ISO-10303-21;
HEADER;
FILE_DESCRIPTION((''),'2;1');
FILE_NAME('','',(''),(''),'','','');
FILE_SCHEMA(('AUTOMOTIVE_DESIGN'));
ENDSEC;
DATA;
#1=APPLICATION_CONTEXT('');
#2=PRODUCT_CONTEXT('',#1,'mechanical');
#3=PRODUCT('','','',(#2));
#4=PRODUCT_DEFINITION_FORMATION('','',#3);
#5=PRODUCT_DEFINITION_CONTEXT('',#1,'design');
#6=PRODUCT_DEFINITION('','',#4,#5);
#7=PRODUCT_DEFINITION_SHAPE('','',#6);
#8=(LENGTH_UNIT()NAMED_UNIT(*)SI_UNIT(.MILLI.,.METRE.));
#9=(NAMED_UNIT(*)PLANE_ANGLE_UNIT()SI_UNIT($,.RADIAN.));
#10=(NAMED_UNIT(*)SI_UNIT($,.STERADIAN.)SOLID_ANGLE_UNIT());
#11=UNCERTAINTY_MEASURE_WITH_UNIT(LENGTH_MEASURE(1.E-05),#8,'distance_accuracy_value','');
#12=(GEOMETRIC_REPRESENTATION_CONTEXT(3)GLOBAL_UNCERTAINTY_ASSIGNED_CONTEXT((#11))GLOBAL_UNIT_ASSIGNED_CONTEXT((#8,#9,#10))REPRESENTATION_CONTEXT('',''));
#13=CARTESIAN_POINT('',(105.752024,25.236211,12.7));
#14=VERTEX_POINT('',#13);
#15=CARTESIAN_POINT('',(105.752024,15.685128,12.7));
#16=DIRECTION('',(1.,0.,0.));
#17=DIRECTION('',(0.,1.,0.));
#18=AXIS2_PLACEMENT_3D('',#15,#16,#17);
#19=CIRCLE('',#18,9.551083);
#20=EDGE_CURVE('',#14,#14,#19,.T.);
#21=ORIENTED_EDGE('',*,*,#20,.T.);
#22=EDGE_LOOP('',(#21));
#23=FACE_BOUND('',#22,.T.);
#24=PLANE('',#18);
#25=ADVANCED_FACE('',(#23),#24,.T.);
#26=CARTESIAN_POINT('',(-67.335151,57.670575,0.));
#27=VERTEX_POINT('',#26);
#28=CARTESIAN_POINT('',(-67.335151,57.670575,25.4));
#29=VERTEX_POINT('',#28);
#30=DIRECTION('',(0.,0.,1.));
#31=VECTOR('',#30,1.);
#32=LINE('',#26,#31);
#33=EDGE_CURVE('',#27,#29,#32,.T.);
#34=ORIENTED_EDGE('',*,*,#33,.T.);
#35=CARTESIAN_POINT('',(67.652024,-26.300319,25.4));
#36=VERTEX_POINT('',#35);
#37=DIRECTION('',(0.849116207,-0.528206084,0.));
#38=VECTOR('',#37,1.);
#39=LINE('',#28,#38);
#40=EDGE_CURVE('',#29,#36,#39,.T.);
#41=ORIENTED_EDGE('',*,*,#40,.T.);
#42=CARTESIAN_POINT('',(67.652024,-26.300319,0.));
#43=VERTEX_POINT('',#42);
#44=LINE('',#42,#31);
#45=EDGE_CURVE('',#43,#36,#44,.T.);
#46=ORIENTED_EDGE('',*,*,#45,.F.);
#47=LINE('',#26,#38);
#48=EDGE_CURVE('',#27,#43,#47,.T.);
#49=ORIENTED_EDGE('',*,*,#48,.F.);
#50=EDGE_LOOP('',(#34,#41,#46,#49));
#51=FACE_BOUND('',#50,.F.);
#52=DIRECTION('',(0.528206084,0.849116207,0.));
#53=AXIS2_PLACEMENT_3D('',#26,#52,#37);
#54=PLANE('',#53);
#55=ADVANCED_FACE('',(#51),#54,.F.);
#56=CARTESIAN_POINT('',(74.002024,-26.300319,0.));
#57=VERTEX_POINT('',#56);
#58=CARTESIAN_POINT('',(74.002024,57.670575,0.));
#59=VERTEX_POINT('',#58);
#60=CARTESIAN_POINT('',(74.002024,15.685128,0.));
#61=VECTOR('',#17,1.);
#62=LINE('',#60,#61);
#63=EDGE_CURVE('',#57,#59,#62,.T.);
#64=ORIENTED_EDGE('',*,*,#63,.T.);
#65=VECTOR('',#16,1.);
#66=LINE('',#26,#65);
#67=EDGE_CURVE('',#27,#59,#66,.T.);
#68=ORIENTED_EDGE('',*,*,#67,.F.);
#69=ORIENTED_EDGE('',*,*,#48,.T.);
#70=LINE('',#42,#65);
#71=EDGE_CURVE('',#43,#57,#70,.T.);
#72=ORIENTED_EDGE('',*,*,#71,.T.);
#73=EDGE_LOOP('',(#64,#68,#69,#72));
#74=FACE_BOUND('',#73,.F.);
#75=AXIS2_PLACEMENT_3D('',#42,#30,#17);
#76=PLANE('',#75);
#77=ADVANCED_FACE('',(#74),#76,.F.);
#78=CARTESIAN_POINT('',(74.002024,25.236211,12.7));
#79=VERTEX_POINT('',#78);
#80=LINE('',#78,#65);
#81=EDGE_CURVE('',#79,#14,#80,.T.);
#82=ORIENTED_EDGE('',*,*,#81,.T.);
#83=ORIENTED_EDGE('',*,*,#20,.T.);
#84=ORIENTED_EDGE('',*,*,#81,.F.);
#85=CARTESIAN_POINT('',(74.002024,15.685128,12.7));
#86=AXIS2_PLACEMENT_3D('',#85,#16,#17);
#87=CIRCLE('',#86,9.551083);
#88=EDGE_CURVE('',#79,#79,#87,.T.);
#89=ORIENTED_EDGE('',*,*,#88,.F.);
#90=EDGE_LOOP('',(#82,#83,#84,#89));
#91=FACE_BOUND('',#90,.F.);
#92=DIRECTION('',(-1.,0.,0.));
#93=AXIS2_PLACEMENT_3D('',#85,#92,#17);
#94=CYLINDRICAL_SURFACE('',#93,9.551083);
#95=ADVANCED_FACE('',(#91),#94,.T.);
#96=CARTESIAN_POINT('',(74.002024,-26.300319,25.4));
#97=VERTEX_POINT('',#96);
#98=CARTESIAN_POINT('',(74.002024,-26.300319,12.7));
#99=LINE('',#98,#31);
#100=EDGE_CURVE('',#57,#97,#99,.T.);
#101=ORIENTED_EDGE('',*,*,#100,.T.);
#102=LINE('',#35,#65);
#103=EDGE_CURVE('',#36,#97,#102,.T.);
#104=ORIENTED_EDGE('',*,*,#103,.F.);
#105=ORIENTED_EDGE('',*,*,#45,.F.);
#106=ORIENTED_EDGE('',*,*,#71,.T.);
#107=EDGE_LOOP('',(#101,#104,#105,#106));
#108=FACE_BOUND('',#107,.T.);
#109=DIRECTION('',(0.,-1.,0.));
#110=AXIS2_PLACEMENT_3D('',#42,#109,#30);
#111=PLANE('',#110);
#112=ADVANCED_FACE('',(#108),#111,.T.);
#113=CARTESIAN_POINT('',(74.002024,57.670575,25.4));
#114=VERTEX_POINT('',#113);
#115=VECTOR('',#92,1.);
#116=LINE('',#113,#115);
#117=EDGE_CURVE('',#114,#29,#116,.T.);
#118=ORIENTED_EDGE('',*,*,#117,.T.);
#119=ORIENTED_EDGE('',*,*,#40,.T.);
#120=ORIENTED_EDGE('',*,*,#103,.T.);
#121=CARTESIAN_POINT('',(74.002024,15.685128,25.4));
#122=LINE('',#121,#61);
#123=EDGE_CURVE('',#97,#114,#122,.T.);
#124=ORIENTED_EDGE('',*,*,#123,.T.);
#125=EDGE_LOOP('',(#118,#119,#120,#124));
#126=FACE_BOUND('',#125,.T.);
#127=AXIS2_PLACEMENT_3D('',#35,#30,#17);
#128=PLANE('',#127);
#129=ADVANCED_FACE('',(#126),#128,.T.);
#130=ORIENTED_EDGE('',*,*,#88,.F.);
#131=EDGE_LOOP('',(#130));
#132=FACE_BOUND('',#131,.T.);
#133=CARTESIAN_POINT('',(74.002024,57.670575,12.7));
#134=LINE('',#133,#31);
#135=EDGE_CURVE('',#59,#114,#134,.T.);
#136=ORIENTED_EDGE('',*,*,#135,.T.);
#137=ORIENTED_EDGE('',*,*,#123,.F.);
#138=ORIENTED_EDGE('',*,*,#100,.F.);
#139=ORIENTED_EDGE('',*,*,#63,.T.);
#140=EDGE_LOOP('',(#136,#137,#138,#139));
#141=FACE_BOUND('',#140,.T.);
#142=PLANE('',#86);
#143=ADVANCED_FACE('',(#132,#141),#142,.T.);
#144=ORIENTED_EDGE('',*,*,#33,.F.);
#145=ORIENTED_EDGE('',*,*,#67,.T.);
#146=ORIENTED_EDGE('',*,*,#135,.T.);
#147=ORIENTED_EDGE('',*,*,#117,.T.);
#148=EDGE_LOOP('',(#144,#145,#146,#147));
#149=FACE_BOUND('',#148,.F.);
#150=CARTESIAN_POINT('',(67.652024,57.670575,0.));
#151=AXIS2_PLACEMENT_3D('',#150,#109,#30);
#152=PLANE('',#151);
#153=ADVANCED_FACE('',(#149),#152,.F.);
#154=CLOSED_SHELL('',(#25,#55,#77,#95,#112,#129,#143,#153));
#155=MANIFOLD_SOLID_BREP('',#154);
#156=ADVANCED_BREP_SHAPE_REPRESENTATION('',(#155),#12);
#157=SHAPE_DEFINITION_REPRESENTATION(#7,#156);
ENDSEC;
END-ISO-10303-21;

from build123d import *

# Parameters (mm, degrees)
F1_DEPTH = 25.4
F2_W     = 83.970894
F2_H     = 25.4
F3_DEPTH = 6.35
F4_R     = 9.551083
F5_DEPTH = 31.75


with BuildPart() as f1:
    # F0 (on Top) → F1 (new body)
    with BuildSketch(Plane.XY):
        Polygon((67.652024, 57.670575), (-67.335151, 57.670575), (67.652024, -26.300319), align=None)
    extrude(amount=F1_DEPTH)

    # F2 (on face) → F3 (join)
    with BuildSketch(Plane.YZ.offset(67.652024)):
        with Locations((15.685128, 12.7)):
            Rectangle(F2_W, F2_H)
    extrude(amount=F3_DEPTH)

    # F4 (on face) → F5 (join)
    with BuildSketch(Plane.YZ.offset(74.002024)):
        with Locations((15.685128, 12.7)):
            Circle(F4_R)
    extrude(amount=F5_DEPTH)


solid = f1.part
